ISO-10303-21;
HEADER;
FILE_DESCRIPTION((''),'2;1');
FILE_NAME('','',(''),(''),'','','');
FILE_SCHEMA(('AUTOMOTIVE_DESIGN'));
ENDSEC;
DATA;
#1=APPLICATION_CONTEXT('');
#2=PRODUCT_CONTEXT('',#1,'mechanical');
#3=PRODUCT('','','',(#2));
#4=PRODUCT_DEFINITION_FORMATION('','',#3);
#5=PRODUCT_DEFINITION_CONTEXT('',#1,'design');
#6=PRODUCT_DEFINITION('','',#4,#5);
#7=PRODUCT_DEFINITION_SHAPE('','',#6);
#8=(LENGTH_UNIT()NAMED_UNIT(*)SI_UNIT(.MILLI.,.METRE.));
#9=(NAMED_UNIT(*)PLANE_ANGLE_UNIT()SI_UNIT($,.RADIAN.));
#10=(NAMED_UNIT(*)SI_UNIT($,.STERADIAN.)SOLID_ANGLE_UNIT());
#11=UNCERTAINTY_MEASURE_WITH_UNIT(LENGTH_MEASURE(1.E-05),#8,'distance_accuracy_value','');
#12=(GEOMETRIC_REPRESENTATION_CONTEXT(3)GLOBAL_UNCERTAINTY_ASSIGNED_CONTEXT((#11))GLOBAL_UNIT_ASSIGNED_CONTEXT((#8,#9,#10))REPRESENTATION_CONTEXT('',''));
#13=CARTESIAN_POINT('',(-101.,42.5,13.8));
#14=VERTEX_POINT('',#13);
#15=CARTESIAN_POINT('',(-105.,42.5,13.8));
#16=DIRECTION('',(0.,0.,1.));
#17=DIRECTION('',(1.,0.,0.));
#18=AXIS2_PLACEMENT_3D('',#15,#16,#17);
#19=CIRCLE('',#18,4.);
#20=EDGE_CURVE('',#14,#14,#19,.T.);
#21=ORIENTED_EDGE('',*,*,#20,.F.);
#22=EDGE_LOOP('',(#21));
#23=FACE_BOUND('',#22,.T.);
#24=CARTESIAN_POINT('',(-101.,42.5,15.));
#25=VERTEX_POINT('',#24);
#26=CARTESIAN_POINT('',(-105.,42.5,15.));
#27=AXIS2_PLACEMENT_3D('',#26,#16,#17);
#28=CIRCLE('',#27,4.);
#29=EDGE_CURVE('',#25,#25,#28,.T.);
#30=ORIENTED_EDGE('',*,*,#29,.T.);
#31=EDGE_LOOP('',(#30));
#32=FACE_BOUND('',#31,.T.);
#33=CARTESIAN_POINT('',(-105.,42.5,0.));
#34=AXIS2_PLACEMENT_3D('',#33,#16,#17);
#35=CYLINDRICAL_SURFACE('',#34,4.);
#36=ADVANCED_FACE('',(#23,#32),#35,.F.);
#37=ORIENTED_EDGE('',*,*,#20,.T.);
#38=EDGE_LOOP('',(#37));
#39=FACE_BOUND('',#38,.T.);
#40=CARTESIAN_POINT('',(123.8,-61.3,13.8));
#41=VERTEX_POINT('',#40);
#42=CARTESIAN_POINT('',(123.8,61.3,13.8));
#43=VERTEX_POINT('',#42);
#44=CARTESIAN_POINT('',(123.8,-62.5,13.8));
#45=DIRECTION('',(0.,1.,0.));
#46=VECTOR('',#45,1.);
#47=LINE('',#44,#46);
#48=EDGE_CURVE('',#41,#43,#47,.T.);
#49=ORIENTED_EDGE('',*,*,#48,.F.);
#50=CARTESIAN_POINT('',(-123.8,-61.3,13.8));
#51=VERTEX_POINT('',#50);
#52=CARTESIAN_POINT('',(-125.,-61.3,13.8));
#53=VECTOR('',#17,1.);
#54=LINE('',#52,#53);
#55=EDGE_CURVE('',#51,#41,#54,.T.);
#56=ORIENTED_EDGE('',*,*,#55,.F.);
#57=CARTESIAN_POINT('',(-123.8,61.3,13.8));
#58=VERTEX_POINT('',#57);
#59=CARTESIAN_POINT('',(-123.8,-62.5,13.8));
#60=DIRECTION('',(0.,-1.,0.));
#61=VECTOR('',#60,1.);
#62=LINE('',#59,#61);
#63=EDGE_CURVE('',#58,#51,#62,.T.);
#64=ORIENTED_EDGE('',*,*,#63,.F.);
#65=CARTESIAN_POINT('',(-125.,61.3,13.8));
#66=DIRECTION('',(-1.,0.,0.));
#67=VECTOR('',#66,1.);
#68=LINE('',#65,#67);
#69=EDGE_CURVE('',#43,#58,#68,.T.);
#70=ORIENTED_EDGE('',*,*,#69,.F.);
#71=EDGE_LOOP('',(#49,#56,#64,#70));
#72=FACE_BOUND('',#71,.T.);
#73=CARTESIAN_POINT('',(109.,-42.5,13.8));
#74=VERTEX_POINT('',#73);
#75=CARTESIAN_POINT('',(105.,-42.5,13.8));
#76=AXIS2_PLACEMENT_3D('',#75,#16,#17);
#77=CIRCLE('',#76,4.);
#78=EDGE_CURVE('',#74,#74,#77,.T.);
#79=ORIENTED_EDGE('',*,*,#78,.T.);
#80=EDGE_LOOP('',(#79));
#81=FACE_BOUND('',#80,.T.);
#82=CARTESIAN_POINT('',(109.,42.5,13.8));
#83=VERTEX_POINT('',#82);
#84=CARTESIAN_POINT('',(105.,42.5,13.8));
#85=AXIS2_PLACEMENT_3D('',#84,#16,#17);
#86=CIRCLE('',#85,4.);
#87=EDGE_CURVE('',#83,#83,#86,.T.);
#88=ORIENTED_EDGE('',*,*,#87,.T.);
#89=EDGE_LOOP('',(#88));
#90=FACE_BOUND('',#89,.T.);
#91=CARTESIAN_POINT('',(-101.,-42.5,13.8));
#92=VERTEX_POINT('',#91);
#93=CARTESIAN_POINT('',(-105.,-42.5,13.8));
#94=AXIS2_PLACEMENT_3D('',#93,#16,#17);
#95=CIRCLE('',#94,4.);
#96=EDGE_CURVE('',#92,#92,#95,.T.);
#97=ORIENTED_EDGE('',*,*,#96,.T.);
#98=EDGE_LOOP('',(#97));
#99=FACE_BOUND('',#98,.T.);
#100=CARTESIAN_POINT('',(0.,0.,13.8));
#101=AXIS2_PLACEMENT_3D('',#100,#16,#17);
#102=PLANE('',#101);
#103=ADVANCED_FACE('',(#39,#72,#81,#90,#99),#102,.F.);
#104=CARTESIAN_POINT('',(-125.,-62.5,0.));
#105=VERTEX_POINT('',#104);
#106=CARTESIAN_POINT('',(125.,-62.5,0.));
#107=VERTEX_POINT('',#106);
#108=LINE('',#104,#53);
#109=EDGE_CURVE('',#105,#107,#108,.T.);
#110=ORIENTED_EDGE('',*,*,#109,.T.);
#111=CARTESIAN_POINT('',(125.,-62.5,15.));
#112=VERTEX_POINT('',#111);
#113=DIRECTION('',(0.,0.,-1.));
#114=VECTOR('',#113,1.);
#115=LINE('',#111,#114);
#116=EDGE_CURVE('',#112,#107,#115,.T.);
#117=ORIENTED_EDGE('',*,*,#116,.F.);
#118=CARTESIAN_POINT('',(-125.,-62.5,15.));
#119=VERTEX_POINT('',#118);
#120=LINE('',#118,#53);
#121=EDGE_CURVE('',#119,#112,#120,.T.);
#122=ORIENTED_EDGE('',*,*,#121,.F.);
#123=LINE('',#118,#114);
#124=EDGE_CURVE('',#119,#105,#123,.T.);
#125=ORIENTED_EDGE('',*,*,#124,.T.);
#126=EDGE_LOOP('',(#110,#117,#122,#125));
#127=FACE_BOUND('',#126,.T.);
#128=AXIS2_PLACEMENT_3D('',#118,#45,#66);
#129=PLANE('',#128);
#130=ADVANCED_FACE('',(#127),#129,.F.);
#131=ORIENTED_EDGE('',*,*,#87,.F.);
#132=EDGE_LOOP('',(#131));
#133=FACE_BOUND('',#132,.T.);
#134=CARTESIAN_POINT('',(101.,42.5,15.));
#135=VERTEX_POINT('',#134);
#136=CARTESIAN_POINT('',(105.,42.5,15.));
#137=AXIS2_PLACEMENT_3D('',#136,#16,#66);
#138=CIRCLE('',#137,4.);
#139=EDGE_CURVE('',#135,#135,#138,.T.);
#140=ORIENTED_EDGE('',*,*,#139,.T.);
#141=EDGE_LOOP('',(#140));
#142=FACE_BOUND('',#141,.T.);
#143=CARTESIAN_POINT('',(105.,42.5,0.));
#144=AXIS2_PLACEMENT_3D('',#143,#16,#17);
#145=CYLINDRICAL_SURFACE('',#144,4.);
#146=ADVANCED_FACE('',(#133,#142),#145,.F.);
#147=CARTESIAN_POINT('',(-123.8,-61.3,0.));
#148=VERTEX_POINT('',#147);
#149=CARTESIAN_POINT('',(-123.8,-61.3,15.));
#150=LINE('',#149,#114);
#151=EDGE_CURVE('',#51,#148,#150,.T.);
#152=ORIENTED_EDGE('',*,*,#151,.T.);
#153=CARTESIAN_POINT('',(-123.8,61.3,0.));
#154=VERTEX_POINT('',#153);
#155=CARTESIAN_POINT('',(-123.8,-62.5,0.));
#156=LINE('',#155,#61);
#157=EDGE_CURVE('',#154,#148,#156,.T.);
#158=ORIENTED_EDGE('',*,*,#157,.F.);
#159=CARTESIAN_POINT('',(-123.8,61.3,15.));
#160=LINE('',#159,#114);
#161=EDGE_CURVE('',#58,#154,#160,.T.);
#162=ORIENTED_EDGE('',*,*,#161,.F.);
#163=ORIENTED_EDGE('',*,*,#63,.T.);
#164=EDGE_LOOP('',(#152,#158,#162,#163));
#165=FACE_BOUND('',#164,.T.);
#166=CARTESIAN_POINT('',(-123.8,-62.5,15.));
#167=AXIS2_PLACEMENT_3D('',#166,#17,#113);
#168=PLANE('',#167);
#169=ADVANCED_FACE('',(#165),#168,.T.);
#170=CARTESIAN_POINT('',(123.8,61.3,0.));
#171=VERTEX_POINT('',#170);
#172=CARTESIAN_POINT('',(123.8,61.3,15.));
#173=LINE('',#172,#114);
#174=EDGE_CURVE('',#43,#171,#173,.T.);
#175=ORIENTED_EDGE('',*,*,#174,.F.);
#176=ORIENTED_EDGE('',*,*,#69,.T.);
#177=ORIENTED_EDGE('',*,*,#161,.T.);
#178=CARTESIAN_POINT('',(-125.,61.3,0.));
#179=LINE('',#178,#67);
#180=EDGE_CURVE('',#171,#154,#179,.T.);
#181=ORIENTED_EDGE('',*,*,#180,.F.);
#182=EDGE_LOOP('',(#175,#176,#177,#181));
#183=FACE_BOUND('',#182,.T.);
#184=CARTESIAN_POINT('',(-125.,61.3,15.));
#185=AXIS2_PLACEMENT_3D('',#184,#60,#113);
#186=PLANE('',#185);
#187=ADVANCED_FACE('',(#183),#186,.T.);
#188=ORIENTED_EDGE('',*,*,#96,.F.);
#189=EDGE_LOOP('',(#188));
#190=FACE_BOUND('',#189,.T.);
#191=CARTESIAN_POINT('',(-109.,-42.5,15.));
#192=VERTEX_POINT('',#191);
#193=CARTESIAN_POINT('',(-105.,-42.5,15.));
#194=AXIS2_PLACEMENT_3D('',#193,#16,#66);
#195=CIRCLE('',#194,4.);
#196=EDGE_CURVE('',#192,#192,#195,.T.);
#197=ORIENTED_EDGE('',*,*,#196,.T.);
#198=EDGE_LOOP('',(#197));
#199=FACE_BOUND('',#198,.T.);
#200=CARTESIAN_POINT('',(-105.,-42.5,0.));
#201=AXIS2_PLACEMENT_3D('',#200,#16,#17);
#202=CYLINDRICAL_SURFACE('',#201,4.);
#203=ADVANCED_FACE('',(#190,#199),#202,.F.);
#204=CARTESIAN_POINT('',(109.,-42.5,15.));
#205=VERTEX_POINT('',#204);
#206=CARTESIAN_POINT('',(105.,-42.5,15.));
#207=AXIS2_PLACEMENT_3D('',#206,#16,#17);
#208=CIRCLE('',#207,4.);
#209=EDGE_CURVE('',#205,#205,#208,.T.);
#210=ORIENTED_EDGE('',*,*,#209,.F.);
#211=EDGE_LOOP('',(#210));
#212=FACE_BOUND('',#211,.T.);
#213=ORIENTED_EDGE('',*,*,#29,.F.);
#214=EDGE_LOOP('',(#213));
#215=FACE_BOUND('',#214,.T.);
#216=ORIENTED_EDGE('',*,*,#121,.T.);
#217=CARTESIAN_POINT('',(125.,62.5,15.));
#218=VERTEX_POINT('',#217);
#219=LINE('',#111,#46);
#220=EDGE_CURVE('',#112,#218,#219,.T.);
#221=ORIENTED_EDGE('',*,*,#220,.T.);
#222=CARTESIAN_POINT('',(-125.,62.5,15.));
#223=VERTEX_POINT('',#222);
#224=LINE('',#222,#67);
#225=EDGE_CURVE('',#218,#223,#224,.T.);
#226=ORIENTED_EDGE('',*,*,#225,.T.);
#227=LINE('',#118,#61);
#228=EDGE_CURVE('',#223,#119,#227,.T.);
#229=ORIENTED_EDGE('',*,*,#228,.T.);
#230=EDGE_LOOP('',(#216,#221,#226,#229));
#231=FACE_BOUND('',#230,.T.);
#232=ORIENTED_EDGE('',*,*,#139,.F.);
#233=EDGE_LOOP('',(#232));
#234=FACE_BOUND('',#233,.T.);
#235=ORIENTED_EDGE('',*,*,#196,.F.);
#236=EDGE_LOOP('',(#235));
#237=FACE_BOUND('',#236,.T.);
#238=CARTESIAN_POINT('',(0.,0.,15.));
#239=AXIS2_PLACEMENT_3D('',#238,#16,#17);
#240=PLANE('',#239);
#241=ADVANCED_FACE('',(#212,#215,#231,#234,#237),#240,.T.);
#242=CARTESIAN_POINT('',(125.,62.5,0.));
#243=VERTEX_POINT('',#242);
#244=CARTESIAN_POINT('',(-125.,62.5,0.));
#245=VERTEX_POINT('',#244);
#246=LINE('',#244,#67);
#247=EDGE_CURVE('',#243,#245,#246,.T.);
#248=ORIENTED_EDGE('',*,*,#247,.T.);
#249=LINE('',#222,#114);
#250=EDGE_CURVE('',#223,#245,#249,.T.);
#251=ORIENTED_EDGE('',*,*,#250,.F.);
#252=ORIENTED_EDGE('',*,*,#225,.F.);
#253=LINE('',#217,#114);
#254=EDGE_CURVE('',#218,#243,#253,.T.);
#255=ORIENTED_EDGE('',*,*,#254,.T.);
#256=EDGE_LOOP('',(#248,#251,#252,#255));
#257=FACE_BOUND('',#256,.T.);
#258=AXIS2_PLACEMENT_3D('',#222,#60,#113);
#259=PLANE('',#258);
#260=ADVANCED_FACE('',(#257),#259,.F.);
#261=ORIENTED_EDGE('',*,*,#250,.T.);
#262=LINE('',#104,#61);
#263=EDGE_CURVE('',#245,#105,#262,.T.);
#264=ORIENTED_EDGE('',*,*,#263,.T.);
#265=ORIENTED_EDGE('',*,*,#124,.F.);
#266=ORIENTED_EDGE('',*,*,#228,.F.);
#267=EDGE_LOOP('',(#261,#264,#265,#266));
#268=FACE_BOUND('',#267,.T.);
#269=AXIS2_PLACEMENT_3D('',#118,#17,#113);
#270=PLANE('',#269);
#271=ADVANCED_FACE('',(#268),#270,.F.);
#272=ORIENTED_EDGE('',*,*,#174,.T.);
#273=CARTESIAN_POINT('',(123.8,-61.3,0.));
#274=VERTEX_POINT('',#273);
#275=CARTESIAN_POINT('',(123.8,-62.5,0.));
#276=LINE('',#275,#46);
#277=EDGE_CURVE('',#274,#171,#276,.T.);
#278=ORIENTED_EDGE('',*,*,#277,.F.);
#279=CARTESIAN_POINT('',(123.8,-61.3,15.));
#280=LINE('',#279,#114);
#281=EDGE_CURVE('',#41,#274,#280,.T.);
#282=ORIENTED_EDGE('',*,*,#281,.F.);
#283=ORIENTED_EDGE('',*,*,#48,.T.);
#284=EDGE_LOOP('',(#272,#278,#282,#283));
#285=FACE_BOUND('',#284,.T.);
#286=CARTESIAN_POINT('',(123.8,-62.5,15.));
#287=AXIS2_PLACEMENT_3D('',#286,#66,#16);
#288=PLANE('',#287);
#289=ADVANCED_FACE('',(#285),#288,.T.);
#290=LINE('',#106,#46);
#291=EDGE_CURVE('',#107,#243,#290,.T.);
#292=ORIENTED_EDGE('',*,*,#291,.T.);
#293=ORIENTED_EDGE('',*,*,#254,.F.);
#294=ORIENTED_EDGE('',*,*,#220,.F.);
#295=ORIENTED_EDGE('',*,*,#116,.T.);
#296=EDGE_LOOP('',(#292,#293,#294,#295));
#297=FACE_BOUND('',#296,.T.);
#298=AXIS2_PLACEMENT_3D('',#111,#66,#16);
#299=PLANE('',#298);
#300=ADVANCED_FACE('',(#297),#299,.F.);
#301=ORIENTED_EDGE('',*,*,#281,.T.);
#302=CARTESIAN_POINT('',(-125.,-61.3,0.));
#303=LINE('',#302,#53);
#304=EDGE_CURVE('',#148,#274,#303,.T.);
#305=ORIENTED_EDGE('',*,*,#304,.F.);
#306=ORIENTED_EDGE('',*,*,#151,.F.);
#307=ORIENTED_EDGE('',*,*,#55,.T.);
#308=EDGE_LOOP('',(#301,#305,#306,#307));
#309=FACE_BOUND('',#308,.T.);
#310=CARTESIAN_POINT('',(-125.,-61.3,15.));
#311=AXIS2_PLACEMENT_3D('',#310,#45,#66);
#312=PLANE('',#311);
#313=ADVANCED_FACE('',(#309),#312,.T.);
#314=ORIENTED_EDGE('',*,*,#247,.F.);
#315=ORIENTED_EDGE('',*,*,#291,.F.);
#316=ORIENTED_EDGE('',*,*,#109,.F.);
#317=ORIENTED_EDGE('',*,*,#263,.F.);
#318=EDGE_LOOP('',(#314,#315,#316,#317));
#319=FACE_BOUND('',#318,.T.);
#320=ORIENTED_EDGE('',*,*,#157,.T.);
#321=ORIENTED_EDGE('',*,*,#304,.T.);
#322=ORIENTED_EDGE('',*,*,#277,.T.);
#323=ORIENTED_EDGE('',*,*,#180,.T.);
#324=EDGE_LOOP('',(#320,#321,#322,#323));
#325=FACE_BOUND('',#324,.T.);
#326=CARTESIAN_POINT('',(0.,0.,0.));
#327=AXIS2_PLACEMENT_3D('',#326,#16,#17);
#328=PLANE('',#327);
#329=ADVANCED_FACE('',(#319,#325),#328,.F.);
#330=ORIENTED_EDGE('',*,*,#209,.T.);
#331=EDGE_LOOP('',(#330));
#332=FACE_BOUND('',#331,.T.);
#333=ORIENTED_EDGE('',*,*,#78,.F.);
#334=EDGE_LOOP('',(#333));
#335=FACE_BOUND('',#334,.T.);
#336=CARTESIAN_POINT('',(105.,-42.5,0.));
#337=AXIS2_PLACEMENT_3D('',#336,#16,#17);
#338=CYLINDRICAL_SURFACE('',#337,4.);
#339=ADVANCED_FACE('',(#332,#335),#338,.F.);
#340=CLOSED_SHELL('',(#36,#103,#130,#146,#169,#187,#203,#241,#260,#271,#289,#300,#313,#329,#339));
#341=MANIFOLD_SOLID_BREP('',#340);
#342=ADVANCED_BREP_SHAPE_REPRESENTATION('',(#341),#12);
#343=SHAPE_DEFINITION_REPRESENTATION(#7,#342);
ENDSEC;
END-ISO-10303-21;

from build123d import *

# Parameters (mm, degrees)
SKETCH_1_W          = 250
SKETCH_1_H          = 125
EXTRUDE_1_DEPTH     = 15
SHELL_1_T           = -1.2
SKETCH_2_R          = 4
CUT_EXTRUDE_1_DEPTH = 15


with BuildPart() as part:
    # 草图1 → 凸台-拉伸1 (new body)
    with BuildSketch(Plane.XY):
        Rectangle(SKETCH_1_W, SKETCH_1_H)
    extrude(amount=EXTRUDE_1_DEPTH)

    # 抽壳1
    shell_1_openings = [part.faces().sort_by_distance(p)[0] for p in [
        (0, 0, 0),
    ]]
    offset(amount=SHELL_1_T, openings=shell_1_openings, kind=Kind.INTERSECTION)

    # 草图2 → 切除-拉伸1 (cut)
    with BuildSketch(Plane.XY.offset(15)):
        with Locations((-105, 42.5)):
            Circle(SKETCH_2_R)
        with Locations((105, 42.5)):
            Circle(SKETCH_2_R)
        with Locations((105, -42.5)):
            Circle(SKETCH_2_R)
        with Locations((-105, -42.5)):
            Circle(SKETCH_2_R)
    extrude(amount=-CUT_EXTRUDE_1_DEPTH, mode=Mode.SUBTRACT)


solid = part.part
